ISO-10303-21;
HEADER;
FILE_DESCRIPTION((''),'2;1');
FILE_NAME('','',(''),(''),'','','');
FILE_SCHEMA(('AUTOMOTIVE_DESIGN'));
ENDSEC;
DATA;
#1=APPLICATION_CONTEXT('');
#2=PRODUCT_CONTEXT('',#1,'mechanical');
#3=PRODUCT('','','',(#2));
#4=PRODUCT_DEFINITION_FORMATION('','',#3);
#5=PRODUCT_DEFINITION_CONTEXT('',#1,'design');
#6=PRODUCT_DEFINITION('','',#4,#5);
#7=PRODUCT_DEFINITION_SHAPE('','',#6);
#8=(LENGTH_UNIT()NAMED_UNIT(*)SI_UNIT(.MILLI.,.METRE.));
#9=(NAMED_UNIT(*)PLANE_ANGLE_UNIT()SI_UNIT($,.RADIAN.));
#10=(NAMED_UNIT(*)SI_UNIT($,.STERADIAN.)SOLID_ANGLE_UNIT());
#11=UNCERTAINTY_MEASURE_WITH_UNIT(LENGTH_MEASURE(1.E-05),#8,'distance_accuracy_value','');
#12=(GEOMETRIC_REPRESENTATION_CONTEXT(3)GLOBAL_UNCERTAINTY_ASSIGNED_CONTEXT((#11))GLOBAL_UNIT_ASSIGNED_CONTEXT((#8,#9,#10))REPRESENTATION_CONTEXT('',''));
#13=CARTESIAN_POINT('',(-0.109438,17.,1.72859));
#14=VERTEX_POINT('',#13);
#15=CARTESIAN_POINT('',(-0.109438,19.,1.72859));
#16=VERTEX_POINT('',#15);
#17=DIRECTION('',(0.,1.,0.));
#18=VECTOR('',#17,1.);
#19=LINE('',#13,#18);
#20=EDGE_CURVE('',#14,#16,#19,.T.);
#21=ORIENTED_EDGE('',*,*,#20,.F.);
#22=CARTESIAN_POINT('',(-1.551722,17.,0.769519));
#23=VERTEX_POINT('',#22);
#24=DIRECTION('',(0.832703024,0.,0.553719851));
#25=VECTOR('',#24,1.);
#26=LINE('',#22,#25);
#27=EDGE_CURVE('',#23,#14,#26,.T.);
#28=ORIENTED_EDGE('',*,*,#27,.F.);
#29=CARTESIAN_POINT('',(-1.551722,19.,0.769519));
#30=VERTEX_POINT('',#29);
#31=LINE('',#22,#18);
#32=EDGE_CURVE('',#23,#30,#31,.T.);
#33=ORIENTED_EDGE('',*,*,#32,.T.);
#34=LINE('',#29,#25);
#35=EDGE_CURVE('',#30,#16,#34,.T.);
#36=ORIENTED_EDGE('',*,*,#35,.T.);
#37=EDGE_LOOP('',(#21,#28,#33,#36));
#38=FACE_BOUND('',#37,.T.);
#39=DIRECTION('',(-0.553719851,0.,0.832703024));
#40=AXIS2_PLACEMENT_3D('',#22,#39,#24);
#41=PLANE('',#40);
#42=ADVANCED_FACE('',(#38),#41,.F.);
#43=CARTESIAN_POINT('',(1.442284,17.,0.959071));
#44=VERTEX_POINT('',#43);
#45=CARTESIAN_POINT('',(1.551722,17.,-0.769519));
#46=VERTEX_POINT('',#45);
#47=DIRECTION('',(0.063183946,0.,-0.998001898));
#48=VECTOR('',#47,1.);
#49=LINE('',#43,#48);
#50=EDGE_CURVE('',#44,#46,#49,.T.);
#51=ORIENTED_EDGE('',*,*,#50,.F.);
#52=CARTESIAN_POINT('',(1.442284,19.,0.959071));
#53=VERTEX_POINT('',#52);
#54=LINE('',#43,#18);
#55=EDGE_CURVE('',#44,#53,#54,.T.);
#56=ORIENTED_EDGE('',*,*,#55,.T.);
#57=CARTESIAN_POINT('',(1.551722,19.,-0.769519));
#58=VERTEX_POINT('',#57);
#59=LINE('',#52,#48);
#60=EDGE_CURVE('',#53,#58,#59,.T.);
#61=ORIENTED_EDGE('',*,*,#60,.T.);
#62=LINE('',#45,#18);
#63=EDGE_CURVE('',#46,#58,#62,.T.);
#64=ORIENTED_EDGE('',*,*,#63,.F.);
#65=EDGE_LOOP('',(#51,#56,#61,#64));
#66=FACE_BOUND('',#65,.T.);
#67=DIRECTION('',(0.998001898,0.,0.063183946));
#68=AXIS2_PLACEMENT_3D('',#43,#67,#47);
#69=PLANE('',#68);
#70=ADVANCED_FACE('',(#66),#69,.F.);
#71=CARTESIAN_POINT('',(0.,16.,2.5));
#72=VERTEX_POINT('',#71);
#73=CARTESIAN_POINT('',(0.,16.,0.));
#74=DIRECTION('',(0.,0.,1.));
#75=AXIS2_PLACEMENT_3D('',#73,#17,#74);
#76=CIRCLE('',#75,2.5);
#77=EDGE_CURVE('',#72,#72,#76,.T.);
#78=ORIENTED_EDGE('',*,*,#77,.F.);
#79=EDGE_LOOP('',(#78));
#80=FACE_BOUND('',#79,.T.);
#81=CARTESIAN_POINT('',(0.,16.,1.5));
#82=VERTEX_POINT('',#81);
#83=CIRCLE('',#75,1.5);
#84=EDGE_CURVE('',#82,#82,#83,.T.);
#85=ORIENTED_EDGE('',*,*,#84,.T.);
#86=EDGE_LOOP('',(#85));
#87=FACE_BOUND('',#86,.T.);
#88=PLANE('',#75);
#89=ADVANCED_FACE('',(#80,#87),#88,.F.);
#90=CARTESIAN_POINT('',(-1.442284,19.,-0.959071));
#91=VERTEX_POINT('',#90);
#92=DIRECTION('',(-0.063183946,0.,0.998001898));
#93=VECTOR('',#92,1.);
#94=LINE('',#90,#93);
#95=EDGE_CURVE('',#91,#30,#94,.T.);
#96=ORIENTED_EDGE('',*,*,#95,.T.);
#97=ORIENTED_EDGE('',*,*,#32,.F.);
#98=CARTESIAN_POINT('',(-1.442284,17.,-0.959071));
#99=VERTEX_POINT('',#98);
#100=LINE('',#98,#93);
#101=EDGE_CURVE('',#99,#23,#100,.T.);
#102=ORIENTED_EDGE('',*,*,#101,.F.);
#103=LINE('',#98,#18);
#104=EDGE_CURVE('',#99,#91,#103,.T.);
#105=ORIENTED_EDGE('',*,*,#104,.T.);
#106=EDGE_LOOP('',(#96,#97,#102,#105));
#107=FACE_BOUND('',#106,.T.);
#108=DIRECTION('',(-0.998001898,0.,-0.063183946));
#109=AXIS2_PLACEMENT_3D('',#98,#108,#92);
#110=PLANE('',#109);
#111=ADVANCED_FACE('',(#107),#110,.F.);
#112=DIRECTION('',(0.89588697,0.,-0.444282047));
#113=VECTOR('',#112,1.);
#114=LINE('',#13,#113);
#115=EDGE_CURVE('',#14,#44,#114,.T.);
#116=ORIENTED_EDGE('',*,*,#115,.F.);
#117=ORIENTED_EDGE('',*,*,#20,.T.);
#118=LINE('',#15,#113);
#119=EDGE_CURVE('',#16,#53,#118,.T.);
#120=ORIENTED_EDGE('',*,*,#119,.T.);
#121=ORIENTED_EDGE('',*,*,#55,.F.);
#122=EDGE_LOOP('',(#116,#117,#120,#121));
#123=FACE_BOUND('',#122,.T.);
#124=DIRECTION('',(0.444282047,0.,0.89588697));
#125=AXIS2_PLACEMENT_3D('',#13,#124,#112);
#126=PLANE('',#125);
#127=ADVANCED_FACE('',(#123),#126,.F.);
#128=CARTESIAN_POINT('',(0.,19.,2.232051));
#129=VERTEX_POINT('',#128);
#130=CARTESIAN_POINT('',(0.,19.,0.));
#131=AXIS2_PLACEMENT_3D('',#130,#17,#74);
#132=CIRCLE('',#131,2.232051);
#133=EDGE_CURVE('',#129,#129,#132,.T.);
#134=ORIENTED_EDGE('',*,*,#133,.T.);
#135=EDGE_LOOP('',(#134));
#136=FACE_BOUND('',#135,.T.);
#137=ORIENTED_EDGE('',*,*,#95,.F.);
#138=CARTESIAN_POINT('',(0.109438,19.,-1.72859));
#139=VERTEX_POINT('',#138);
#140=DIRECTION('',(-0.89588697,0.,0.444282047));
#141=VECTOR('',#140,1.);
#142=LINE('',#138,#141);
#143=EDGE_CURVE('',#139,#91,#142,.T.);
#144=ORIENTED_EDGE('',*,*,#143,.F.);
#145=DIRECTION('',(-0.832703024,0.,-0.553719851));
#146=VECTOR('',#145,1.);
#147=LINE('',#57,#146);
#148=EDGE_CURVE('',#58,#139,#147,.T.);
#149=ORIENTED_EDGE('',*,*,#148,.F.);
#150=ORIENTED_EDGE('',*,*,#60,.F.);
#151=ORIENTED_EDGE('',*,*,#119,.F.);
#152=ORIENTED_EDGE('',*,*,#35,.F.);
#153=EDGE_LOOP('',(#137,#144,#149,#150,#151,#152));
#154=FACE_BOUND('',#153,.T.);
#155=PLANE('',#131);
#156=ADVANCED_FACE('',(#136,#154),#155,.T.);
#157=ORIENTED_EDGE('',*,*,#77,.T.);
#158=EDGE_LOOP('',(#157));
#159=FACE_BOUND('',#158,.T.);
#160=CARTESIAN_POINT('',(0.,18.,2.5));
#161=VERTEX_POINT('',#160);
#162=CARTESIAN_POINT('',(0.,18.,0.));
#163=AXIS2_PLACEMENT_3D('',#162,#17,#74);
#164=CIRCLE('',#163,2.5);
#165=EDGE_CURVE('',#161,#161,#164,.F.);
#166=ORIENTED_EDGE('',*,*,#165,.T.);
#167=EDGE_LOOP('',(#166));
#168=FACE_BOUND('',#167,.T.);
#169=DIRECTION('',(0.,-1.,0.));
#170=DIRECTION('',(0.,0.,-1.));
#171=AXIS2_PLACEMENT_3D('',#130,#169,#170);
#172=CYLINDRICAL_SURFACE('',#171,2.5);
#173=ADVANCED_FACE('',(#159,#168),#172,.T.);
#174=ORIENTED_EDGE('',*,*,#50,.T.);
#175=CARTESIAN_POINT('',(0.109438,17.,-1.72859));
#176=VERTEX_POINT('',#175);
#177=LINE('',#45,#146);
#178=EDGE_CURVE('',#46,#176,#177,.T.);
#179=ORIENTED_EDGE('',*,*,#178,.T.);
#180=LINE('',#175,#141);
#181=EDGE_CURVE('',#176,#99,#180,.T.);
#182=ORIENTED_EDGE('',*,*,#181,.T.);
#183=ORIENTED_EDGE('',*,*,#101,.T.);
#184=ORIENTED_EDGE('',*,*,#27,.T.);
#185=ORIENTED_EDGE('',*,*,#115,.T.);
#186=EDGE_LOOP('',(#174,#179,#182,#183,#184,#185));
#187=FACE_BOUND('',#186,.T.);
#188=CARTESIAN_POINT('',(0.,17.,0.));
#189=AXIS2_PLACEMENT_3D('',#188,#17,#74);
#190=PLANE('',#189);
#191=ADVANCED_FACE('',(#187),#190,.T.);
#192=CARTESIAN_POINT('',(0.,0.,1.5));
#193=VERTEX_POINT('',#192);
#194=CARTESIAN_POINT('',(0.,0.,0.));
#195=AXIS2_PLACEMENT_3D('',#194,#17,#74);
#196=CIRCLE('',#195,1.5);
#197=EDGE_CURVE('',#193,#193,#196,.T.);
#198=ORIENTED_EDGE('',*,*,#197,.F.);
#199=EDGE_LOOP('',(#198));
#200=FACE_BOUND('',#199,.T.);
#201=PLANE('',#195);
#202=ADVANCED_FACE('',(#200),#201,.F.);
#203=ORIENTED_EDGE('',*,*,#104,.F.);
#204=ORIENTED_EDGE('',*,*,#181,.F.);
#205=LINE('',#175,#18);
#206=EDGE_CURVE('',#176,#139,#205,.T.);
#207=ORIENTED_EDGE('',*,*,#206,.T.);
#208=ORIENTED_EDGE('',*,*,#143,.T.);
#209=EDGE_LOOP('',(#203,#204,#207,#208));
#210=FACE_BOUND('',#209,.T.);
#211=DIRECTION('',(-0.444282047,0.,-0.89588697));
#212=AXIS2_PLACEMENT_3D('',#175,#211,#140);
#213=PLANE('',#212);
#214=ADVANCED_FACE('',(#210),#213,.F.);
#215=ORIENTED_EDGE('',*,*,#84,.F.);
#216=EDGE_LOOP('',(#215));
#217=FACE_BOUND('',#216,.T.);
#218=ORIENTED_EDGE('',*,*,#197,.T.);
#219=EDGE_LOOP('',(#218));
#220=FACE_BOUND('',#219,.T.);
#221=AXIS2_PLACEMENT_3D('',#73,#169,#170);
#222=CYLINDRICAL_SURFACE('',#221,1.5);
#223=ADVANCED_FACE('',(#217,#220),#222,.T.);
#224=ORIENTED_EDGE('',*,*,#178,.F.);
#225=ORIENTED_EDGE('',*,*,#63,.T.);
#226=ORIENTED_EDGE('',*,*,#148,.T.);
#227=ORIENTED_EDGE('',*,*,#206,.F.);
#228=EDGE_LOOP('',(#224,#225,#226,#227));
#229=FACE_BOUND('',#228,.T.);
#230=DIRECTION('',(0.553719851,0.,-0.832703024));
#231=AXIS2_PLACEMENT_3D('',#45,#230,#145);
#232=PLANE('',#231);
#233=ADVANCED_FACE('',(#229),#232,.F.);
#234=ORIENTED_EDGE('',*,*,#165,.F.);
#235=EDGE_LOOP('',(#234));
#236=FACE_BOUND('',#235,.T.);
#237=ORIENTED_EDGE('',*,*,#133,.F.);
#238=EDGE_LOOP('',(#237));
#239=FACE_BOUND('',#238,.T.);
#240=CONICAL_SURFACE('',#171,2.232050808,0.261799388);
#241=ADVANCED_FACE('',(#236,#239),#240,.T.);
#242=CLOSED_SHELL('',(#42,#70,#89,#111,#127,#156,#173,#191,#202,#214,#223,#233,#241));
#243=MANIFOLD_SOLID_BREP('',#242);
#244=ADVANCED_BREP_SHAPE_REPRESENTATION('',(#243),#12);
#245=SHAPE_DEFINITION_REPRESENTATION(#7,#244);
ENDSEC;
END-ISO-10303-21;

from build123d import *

# Parameters (mm, degrees)
SKICA1_R                 = 1.5
P_IDAT_VYSUNUT_M1_DEPTH  = 16
SKICA2_R                 = 2.5
P_IDAT_VYSUNUT_M2_DEPTH  = 3
ZKOSEN_1_SIZE            = 1
ZKOSEN_1_SIZE2           = 0.267949192
ODEBRAT_VYSUNUT_M1_DEPTH = 2


with BuildPart() as part:
    # Skica1 → Přidat vysunutím1 (new body)
    with BuildSketch(Plane(origin=(0, 0, 0), x_dir=(1, 0, 0), z_dir=(0, 1, 0))):
        with Locations(Location((0, 0, 0), (0, 0, 270))):
            Circle(SKICA1_R)
    extrude(amount=P_IDAT_VYSUNUT_M1_DEPTH)

    # Skica2 → Přidat vysunutím2 (add)
    with BuildSketch(Plane(origin=(0, 16, 0), x_dir=(1, 0, 0), z_dir=(0, 1, 0))):
        with Locations(Location((0, 0, 0), (0, 0, 270))):
            Circle(SKICA2_R)
    extrude(amount=P_IDAT_VYSUNUT_M2_DEPTH)

    # Zkosení1
    zkosen_1_edges = [part.edges().sort_by_distance(p)[0] for p in [
        (0, 19, -2.5),
    ]]
    zkosen_1_side = [part.faces().sort_by_distance(p)[0] for p in [
        (0, 17.5, -2.5),
    ]]
    chamfer(zkosen_1_edges, length=ZKOSEN_1_SIZE, length2=ZKOSEN_1_SIZE2, reference=zkosen_1_side[0])

    # Skica3 → Odebrat vysunutím1 (cut)
    with BuildSketch(Plane(origin=(0, 19, 0), x_dir=(1, 0, 0), z_dir=(0, 1, 0))):
        Polygon((-0.109437804, -1.728589994), (1.442283945, -0.959070916), (1.55172175, 0.769519078), (0.109437804, 1.728589994), (-1.442283945, 0.959070916), (-1.55172175, -0.769519078), align=None)
    extrude(amount=-ODEBRAT_VYSUNUT_M1_DEPTH, mode=Mode.SUBTRACT)


solid = part.part
